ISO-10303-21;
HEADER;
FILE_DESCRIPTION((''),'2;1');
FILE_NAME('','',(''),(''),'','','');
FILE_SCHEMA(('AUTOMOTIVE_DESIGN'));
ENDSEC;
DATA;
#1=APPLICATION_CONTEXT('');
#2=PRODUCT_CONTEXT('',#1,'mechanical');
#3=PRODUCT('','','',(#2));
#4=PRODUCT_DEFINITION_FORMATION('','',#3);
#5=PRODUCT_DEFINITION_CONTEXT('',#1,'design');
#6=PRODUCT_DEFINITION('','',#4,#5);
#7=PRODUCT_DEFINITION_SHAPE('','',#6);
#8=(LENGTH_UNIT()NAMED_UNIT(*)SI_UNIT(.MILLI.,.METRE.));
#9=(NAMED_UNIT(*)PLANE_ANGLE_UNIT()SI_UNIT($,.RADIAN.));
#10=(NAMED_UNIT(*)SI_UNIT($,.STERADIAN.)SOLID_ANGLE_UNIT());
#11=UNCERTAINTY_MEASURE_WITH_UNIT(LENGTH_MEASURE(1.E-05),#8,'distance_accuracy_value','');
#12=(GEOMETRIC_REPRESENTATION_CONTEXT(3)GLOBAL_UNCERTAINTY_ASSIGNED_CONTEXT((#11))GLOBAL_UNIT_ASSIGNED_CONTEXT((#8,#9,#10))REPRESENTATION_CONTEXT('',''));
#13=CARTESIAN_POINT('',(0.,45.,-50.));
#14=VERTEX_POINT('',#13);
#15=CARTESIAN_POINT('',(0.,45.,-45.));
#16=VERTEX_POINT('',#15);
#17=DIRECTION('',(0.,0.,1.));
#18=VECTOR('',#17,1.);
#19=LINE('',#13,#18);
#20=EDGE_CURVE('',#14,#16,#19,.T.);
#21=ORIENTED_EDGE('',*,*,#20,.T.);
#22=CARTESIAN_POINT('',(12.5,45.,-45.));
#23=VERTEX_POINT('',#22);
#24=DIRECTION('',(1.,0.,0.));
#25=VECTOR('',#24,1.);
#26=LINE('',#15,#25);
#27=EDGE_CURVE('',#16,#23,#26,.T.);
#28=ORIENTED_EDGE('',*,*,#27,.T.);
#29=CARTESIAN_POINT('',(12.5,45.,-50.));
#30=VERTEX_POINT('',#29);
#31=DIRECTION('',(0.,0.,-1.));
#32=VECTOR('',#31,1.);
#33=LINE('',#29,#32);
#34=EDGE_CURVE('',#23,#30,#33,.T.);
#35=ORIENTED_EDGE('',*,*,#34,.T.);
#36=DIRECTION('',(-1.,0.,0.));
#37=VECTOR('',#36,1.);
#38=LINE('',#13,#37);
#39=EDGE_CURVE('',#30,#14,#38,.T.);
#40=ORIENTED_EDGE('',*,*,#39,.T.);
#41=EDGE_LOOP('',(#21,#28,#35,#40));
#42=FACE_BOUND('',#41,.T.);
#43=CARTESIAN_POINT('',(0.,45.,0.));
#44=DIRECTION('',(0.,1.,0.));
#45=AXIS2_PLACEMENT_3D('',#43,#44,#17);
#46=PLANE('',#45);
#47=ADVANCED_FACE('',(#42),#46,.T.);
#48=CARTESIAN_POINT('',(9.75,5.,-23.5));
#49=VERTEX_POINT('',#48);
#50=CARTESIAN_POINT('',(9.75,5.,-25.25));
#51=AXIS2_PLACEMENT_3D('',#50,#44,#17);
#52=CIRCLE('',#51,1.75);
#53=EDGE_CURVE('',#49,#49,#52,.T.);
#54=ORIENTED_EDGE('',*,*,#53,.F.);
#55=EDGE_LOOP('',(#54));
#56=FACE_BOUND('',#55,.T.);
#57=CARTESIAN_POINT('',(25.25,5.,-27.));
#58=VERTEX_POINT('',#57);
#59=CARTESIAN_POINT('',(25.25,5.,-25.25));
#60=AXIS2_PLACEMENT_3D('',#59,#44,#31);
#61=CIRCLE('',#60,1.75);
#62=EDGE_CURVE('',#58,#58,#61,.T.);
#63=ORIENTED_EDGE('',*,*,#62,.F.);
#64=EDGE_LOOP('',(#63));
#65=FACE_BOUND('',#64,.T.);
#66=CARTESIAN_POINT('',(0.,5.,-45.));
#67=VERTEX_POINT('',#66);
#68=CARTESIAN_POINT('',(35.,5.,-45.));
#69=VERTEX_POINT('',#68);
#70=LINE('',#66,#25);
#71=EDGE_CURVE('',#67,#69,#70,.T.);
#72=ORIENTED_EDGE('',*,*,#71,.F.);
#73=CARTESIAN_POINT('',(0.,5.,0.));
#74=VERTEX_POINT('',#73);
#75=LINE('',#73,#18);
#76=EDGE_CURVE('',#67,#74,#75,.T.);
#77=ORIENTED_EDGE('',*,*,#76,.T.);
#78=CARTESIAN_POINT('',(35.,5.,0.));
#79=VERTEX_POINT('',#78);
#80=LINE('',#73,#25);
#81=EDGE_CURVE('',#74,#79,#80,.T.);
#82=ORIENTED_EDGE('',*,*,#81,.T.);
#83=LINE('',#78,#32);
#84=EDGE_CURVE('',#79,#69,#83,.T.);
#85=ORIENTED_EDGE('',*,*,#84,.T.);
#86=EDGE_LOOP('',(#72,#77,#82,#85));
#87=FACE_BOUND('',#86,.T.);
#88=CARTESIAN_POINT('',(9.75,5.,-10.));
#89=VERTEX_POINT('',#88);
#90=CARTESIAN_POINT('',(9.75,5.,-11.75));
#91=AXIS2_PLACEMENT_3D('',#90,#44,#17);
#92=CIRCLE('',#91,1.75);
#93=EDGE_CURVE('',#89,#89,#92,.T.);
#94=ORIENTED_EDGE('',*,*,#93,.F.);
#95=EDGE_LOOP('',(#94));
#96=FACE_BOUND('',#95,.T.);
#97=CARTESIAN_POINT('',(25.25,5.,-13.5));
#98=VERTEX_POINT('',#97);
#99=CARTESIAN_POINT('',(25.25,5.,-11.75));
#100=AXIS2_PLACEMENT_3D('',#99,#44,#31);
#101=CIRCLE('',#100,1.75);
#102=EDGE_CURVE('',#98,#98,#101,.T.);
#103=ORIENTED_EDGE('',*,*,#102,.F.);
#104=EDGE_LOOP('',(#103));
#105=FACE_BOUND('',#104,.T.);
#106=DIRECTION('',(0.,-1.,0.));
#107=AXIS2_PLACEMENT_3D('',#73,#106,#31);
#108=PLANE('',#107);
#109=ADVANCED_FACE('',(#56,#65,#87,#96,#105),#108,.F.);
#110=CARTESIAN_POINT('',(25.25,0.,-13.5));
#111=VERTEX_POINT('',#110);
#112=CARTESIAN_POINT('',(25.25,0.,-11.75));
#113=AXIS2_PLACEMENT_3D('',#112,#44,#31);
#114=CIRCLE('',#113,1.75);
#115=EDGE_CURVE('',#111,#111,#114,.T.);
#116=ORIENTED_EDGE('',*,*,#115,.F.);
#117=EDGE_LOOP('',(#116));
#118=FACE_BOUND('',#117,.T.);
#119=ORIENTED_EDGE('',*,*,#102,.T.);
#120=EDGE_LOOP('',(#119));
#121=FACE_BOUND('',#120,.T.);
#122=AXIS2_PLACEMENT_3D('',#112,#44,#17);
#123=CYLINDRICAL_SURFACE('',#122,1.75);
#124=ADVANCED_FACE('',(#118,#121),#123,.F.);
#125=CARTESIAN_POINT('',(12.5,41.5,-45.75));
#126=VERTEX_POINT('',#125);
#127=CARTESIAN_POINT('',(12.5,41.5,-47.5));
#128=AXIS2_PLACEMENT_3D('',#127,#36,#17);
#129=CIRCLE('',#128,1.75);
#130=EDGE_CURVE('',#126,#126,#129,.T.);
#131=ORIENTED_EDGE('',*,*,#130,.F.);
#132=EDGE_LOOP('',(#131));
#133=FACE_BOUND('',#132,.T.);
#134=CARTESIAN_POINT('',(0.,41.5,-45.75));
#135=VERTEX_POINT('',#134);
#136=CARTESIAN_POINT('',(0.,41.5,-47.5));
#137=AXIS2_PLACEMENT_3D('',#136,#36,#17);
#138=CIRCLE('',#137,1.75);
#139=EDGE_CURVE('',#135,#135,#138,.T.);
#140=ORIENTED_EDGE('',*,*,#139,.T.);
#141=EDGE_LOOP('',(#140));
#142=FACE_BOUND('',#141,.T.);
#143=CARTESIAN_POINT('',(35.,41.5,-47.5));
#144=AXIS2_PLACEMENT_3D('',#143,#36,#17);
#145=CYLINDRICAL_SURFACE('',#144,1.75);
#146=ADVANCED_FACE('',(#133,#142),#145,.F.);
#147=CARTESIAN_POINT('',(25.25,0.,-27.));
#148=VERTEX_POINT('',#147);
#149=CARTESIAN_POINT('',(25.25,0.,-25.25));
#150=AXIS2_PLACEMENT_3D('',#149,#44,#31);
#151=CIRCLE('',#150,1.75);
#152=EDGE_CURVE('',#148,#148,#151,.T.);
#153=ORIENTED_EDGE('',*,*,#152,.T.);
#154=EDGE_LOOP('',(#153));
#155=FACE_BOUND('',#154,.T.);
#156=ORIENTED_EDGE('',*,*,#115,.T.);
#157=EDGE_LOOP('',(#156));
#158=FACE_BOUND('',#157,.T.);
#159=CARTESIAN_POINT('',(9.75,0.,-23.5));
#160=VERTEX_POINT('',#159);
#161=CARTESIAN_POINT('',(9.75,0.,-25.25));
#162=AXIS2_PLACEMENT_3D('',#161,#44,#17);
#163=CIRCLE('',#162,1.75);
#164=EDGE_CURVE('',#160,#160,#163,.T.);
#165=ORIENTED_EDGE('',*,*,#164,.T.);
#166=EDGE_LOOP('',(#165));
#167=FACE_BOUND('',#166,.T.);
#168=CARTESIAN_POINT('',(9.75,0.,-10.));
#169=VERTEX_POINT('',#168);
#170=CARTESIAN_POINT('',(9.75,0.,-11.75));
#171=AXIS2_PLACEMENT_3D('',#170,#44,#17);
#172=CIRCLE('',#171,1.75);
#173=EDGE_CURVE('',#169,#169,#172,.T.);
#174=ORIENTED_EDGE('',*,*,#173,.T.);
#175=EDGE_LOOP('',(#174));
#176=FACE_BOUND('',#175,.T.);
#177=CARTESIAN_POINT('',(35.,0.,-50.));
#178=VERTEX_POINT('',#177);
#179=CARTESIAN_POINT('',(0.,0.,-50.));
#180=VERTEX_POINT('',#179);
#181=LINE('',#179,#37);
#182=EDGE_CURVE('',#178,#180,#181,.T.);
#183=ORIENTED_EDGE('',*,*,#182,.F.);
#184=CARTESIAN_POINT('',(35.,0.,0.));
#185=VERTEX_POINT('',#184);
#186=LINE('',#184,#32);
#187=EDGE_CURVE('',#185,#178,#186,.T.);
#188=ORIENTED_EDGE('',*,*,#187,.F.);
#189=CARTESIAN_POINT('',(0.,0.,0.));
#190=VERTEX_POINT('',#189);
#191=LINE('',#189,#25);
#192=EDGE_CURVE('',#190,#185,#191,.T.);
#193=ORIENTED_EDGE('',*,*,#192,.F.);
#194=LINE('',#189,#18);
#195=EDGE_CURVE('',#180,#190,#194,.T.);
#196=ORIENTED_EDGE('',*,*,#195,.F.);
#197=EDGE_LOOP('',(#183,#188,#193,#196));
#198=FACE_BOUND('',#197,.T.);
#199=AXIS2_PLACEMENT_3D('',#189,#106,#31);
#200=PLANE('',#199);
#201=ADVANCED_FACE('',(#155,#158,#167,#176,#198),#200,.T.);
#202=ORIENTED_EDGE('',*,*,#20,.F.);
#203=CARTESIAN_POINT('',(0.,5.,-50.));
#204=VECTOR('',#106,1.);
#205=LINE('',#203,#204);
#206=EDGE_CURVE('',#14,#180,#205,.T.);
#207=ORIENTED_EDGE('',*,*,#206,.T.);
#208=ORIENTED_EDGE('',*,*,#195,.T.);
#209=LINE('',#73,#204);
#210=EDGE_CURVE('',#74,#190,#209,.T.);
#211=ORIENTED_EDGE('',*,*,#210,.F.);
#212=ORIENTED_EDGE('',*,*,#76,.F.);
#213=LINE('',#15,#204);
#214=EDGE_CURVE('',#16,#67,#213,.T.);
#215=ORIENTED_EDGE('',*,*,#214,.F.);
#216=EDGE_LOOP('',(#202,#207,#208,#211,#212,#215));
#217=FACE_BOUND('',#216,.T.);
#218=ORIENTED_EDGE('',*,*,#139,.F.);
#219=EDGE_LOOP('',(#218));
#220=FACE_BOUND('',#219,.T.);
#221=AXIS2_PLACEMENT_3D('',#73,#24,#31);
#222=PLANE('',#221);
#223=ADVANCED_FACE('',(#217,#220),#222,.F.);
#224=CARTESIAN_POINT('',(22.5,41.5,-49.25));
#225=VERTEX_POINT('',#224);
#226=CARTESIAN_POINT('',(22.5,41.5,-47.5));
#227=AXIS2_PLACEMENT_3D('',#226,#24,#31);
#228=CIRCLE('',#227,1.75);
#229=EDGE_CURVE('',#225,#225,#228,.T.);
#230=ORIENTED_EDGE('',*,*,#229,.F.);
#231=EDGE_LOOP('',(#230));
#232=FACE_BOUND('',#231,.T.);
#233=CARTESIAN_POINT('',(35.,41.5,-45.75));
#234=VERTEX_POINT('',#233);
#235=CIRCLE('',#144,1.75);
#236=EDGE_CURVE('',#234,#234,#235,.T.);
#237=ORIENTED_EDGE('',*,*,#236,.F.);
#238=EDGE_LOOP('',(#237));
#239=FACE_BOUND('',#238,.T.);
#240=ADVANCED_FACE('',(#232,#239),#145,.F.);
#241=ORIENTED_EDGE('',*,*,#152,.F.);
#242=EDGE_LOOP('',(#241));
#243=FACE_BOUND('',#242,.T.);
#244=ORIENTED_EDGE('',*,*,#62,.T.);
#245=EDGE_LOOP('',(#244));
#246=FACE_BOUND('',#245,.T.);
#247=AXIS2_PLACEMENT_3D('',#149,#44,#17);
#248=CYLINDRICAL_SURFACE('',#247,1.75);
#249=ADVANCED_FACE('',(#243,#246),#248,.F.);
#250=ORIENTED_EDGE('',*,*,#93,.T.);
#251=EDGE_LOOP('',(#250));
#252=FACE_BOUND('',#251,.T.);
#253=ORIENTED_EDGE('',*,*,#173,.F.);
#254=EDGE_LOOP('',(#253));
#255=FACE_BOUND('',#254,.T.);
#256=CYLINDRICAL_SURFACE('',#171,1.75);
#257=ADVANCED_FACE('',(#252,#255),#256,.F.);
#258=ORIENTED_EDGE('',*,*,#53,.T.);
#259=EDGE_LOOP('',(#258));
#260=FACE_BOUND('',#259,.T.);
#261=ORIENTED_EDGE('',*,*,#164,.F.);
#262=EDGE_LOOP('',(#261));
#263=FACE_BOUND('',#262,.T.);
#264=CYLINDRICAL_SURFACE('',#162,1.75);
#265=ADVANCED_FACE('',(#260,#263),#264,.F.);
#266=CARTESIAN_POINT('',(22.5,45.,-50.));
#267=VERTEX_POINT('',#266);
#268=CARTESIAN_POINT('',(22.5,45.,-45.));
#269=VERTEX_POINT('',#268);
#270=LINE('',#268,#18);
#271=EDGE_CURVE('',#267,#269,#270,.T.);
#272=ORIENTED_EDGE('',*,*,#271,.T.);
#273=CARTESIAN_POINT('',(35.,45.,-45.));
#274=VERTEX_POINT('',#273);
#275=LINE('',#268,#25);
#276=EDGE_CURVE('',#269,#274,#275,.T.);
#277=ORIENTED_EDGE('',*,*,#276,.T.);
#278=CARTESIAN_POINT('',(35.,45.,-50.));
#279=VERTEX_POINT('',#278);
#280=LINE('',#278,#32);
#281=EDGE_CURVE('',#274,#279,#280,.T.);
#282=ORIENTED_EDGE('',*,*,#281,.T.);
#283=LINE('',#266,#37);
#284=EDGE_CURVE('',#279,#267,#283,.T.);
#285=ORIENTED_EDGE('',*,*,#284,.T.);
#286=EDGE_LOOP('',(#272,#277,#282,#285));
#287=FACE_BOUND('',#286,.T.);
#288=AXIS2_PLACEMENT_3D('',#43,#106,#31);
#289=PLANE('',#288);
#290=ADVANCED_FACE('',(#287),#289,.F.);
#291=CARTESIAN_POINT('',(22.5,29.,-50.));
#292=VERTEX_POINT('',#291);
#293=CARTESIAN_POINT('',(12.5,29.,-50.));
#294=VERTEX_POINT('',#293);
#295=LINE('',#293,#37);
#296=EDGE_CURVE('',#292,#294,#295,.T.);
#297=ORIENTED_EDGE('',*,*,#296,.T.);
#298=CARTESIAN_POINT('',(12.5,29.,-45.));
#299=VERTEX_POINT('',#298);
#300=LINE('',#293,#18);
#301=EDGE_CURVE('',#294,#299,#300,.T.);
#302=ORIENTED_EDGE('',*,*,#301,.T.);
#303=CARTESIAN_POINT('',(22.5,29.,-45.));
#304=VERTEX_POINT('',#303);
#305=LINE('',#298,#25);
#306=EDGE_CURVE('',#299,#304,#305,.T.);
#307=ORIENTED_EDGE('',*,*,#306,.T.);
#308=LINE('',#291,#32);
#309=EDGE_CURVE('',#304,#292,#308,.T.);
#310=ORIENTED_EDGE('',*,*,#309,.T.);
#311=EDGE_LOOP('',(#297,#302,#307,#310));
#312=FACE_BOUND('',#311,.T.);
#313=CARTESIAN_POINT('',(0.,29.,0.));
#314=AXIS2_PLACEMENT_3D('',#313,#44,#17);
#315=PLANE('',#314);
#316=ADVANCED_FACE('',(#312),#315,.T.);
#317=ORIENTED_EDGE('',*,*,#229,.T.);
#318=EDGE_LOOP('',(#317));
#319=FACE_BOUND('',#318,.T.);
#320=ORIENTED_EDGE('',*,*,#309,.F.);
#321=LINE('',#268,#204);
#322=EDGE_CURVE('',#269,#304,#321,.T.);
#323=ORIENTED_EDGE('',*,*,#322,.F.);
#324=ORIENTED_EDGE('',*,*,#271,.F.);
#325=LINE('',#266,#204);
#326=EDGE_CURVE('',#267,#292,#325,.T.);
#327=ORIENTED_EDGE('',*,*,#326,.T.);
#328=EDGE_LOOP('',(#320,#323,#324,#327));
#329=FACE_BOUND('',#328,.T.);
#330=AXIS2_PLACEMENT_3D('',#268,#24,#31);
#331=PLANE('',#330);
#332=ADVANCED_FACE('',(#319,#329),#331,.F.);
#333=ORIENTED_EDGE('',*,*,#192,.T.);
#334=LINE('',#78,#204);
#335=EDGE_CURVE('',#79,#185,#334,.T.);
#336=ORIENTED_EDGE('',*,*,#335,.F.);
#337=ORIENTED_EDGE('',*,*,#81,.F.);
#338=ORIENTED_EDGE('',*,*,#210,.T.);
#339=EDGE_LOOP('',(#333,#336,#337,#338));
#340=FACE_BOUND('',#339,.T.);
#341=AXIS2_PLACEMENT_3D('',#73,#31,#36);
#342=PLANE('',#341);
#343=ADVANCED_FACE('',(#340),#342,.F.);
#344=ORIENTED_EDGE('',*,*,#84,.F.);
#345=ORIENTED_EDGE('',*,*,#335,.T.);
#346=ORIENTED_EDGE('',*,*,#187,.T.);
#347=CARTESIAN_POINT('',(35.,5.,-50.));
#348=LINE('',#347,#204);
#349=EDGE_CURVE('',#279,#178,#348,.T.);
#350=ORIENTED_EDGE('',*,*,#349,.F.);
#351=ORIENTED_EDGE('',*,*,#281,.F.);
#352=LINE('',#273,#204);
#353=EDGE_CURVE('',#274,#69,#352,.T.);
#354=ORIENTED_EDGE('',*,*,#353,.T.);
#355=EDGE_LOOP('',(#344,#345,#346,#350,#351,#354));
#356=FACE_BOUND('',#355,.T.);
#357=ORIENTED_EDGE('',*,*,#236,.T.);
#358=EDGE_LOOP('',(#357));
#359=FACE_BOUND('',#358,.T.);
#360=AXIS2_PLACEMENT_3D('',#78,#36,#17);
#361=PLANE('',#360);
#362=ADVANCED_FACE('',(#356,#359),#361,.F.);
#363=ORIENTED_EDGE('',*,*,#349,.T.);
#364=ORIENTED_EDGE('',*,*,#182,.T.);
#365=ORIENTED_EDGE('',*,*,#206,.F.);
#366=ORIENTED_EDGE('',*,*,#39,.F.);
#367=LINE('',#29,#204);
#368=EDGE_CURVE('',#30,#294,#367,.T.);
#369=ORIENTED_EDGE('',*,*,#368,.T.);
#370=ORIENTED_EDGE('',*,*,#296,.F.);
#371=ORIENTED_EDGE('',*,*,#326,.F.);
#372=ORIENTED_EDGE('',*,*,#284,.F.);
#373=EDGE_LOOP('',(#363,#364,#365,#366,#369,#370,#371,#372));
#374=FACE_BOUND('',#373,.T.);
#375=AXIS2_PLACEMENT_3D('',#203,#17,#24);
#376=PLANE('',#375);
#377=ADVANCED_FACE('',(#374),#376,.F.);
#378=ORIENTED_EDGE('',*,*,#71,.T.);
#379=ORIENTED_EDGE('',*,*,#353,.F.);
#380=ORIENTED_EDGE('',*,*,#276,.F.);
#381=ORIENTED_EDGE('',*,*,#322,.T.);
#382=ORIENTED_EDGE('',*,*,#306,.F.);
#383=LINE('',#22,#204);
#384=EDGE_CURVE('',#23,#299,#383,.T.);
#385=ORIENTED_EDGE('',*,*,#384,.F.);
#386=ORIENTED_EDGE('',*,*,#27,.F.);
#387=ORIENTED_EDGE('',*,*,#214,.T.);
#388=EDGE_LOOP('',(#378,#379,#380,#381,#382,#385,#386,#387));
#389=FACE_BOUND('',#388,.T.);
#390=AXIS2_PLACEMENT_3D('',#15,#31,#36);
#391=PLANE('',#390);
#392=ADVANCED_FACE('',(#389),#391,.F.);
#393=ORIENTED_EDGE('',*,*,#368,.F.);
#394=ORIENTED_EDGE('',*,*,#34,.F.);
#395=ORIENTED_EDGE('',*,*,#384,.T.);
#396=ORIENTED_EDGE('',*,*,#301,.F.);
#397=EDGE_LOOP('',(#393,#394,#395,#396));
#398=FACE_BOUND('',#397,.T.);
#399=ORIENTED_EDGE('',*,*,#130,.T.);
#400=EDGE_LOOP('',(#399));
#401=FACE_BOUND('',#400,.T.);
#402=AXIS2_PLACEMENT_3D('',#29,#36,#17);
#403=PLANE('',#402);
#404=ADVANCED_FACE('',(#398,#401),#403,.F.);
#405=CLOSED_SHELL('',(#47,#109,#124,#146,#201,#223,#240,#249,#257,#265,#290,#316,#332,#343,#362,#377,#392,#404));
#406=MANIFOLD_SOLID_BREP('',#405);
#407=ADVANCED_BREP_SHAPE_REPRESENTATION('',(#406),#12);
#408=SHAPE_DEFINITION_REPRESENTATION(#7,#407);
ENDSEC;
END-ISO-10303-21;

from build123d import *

# Parameters (mm, degrees)
SKETCH1_W           = 35
SKETCH1_H           = 50
BOSS_EXTRUDE1_DEPTH = 5
SKETCH2_R           = 1.75
CUT_EXTRUDE1_DEPTH  = 6
SKETCH3_W           = 12.5
SKETCH3_H           = 5
BOSS_EXTRUDE2_DEPTH = 40
SKETCH4_W           = 10
SKETCH4_H           = 5
BOSS_EXTRUDE3_DEPTH = 24
SKETCH5_R           = 1.75
CUT_EXTRUDE2_DEPTH  = 36


with BuildPart() as part:
    # Sketch1 → Boss-Extrude1 (new body)
    with BuildSketch(Plane(origin=(0, 0, 0), x_dir=(1, 0, 0), z_dir=(0, 1, 0))):
        with Locations((17.5, 25)):
            Rectangle(SKETCH1_W, SKETCH1_H)
    extrude(amount=BOSS_EXTRUDE1_DEPTH)

    # Sketch2 → Cut-Extrude1 (cut, through all)
    with BuildSketch(Plane(origin=(0, 5, 0), x_dir=(1, 0, 0), z_dir=(0, 1, 0))):
        with Locations((9.75, 11.75)):
            Circle(SKETCH2_R)
        with Locations((9.75, 25.25)):
            Circle(SKETCH2_R)
        with Locations((25.25, 11.75)):
            Circle(SKETCH2_R)
        with Locations((25.25, 25.25)):
            Circle(SKETCH2_R)
    extrude(amount=-CUT_EXTRUDE1_DEPTH, mode=Mode.SUBTRACT)

    # Sketch3 → Boss-Extrude2 (add)
    with BuildSketch(Plane(origin=(0, 5, 0), x_dir=(1, 0, 0), z_dir=(0, 1, 0))):
        with Locations((6.25, 47.5)):
            Rectangle(SKETCH3_W, SKETCH3_H)
        with Locations((28.75, 47.5)):
            Rectangle(SKETCH3_W, SKETCH3_H)
    extrude(amount=BOSS_EXTRUDE2_DEPTH)

    # Sketch4 → Boss-Extrude3 (add)
    with BuildSketch(Plane(origin=(0, 5, 0), x_dir=(1, 0, 0), z_dir=(0, 1, 0))):
        with Locations((17.5, 47.5)):
            Rectangle(SKETCH4_W, SKETCH4_H)
    extrude(amount=BOSS_EXTRUDE3_DEPTH)

    # Sketch5 → Cut-Extrude2 (cut, through all)
    with BuildSketch(Plane.ZY):
        with Locations((-47.5, 41.5)):
            Circle(SKETCH5_R)
    extrude(amount=-CUT_EXTRUDE2_DEPTH, mode=Mode.SUBTRACT)


solid = part.part
